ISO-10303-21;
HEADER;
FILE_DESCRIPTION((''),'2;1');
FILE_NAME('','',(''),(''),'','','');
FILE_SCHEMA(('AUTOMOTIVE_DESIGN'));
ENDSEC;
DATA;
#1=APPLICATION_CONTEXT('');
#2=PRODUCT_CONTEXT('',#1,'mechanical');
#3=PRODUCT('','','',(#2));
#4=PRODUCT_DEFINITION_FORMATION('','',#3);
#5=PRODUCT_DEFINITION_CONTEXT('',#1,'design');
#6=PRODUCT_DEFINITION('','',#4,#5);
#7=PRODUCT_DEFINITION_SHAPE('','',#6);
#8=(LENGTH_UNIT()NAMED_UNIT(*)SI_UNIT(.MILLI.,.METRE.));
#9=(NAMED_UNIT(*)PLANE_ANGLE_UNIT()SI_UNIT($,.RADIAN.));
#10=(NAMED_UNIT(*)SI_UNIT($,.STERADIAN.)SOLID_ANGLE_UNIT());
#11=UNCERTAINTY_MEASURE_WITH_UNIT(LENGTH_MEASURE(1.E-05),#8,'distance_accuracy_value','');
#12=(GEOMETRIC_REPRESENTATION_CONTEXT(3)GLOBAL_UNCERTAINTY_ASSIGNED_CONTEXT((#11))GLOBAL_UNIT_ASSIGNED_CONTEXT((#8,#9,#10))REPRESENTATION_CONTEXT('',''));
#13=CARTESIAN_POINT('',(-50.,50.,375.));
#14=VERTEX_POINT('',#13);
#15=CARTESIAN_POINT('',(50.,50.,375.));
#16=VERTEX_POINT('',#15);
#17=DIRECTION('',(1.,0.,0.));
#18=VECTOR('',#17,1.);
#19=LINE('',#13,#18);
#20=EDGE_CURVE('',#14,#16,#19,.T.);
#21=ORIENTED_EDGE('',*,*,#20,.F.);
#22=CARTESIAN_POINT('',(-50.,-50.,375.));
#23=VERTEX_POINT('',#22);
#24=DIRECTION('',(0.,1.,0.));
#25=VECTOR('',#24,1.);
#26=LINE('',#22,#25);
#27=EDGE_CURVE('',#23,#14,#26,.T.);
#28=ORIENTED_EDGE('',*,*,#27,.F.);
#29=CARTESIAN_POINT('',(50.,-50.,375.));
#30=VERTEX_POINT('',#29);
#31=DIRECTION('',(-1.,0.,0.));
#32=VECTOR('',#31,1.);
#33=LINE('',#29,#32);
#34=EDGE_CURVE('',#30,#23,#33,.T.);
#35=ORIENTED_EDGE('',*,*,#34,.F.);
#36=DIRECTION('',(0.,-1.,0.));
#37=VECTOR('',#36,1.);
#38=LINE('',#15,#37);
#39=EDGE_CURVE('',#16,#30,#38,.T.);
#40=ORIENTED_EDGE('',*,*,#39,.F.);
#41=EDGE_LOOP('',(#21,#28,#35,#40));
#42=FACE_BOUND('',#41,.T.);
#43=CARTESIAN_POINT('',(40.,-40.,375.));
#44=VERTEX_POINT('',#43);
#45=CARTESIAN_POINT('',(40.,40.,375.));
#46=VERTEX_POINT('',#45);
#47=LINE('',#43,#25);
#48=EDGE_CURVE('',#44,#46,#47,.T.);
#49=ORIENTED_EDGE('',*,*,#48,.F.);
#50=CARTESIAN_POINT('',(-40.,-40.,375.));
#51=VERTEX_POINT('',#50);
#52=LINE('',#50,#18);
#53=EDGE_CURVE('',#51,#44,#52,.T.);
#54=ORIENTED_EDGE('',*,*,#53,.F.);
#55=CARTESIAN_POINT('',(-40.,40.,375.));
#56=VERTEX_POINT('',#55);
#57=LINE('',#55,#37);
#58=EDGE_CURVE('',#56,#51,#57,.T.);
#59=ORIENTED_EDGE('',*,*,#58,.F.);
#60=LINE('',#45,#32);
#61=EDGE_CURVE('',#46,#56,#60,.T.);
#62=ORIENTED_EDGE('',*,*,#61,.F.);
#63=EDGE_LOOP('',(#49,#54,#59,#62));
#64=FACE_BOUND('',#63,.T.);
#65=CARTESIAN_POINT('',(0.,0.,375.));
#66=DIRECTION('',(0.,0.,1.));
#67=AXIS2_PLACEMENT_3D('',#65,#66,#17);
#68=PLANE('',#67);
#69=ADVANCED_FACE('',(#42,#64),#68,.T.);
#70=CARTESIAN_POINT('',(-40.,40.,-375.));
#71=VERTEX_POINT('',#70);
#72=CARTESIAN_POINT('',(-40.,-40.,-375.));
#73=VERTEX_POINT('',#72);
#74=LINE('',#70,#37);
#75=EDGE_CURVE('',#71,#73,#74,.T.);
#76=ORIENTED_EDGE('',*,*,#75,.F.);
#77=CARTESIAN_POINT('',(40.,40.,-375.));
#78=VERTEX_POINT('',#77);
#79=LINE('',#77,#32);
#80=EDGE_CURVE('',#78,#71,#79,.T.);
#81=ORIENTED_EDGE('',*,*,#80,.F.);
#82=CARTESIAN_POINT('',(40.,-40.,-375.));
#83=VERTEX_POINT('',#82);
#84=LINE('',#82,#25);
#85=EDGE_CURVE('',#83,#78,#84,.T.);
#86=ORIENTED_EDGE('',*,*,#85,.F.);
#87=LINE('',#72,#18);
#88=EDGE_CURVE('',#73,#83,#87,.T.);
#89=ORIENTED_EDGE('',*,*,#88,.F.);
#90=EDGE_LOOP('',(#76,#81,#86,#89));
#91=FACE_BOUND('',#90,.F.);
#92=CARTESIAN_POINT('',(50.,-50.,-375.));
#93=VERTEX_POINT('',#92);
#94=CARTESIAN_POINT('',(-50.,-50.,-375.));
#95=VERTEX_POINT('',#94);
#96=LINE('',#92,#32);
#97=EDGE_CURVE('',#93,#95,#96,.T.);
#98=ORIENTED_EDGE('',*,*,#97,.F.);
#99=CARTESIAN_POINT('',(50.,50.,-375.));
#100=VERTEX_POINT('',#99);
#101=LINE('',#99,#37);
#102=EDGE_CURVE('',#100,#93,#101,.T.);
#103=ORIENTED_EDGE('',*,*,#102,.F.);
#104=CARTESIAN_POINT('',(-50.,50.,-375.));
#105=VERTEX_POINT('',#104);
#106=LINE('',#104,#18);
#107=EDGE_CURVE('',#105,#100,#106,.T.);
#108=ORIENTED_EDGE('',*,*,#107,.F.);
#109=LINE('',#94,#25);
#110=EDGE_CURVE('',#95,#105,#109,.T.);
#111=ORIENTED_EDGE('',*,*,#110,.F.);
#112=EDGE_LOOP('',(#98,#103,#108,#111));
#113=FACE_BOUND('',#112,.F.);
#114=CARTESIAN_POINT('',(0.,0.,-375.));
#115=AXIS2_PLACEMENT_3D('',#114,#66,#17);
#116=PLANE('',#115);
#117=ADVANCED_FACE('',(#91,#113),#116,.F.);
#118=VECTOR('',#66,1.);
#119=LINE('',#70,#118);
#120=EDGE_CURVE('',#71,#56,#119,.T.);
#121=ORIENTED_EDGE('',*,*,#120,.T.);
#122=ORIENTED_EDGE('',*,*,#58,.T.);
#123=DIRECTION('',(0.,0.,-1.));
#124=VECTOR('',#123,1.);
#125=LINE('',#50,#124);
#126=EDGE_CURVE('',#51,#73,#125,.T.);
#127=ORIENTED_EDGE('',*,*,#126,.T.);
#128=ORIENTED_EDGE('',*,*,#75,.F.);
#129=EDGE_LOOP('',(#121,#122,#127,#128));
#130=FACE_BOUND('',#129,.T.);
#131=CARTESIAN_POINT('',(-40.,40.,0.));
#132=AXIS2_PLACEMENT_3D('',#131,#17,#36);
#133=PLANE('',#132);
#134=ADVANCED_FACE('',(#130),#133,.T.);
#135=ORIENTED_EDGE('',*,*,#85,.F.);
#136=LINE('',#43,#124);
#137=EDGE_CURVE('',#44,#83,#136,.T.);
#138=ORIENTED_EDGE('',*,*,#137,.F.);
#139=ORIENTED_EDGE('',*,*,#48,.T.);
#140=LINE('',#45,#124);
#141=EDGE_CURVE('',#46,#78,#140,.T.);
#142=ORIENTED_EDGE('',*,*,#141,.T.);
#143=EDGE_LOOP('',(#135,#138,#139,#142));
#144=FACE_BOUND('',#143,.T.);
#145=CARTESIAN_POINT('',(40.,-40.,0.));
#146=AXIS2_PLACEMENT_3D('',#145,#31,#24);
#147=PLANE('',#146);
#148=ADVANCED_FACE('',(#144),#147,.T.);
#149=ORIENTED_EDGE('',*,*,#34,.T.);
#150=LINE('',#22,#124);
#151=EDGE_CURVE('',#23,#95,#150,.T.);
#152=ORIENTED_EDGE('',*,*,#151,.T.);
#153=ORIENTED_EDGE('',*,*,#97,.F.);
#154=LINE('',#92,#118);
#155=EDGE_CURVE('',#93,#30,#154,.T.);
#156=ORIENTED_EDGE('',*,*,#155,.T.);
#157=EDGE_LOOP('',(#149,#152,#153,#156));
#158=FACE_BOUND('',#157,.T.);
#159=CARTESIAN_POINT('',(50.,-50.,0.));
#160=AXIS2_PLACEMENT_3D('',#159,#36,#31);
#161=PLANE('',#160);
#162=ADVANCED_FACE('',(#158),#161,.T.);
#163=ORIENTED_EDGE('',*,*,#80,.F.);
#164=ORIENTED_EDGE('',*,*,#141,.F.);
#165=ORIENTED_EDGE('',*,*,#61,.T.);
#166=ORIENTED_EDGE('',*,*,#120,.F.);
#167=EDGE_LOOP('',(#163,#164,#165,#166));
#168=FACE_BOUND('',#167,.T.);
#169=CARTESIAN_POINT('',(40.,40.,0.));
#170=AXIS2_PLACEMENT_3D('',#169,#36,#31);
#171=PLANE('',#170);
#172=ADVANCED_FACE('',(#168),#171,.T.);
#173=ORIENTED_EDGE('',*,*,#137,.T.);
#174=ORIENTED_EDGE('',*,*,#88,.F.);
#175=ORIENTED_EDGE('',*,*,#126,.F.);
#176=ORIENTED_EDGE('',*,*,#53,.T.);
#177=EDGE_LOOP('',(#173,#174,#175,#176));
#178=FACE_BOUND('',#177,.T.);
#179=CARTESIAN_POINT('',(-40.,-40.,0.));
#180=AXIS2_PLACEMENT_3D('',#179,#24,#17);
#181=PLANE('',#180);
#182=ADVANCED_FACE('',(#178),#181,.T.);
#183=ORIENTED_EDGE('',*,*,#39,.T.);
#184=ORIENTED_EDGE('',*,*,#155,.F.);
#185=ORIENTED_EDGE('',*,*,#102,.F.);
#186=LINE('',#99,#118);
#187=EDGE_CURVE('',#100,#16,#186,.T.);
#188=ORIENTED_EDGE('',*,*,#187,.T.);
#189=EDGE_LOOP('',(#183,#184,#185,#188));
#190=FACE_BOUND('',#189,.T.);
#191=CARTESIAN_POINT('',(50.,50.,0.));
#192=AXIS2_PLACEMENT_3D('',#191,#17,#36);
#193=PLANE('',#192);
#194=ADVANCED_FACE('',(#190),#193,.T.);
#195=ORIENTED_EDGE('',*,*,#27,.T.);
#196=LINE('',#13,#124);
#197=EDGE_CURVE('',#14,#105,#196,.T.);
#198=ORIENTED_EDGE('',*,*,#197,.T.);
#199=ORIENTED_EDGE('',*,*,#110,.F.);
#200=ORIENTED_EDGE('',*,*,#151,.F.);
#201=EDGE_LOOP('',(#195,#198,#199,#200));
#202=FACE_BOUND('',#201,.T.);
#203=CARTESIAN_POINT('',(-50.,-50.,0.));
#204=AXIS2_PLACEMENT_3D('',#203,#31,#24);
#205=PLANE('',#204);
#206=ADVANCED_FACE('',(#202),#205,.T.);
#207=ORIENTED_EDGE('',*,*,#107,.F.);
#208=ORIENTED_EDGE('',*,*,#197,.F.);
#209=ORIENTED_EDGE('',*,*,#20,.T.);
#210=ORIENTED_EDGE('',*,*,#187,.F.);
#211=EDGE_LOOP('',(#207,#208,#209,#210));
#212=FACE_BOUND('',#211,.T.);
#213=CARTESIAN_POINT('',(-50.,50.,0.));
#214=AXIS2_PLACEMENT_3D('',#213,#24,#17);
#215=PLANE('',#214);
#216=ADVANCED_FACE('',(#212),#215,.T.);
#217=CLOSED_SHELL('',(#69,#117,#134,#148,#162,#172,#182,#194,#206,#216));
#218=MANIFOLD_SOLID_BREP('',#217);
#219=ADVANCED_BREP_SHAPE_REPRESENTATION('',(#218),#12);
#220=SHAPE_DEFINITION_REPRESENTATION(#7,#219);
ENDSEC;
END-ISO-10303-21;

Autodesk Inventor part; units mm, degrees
sketch "Sketch1" plane through (0, 0, 0) normal (0, 0, 1) x (1, 0, 0)
  line L0 (50, -50) -> (-50, -50)
  line L1 (-50, -50) -> (-50, 50)
  line L2 (-50, 50) -> (50, 50)
  line L3 (50, 50) -> (50, -50)
  line L4 (50, -50) -> (-50, 50) construction
  line L5 (-50, -50) -> (50, 50) construction
  line L6 (-40, 40) -> (-40, -40)
  line L7 (-40, -40) -> (40, -40)
  line L8 (40, -40) -> (40, 40)
  line L9 (40, 40) -> (-40, 40)
  point P0 (0, 0)
  dimension "d0" = 100
  dimension "d1" = 100
  dimension "d2" = 10
extrude "Extrusion1" add sketch "Sketch1" along normal mid plane 750
properties part number "Perna_001_0001" material "Steel"
